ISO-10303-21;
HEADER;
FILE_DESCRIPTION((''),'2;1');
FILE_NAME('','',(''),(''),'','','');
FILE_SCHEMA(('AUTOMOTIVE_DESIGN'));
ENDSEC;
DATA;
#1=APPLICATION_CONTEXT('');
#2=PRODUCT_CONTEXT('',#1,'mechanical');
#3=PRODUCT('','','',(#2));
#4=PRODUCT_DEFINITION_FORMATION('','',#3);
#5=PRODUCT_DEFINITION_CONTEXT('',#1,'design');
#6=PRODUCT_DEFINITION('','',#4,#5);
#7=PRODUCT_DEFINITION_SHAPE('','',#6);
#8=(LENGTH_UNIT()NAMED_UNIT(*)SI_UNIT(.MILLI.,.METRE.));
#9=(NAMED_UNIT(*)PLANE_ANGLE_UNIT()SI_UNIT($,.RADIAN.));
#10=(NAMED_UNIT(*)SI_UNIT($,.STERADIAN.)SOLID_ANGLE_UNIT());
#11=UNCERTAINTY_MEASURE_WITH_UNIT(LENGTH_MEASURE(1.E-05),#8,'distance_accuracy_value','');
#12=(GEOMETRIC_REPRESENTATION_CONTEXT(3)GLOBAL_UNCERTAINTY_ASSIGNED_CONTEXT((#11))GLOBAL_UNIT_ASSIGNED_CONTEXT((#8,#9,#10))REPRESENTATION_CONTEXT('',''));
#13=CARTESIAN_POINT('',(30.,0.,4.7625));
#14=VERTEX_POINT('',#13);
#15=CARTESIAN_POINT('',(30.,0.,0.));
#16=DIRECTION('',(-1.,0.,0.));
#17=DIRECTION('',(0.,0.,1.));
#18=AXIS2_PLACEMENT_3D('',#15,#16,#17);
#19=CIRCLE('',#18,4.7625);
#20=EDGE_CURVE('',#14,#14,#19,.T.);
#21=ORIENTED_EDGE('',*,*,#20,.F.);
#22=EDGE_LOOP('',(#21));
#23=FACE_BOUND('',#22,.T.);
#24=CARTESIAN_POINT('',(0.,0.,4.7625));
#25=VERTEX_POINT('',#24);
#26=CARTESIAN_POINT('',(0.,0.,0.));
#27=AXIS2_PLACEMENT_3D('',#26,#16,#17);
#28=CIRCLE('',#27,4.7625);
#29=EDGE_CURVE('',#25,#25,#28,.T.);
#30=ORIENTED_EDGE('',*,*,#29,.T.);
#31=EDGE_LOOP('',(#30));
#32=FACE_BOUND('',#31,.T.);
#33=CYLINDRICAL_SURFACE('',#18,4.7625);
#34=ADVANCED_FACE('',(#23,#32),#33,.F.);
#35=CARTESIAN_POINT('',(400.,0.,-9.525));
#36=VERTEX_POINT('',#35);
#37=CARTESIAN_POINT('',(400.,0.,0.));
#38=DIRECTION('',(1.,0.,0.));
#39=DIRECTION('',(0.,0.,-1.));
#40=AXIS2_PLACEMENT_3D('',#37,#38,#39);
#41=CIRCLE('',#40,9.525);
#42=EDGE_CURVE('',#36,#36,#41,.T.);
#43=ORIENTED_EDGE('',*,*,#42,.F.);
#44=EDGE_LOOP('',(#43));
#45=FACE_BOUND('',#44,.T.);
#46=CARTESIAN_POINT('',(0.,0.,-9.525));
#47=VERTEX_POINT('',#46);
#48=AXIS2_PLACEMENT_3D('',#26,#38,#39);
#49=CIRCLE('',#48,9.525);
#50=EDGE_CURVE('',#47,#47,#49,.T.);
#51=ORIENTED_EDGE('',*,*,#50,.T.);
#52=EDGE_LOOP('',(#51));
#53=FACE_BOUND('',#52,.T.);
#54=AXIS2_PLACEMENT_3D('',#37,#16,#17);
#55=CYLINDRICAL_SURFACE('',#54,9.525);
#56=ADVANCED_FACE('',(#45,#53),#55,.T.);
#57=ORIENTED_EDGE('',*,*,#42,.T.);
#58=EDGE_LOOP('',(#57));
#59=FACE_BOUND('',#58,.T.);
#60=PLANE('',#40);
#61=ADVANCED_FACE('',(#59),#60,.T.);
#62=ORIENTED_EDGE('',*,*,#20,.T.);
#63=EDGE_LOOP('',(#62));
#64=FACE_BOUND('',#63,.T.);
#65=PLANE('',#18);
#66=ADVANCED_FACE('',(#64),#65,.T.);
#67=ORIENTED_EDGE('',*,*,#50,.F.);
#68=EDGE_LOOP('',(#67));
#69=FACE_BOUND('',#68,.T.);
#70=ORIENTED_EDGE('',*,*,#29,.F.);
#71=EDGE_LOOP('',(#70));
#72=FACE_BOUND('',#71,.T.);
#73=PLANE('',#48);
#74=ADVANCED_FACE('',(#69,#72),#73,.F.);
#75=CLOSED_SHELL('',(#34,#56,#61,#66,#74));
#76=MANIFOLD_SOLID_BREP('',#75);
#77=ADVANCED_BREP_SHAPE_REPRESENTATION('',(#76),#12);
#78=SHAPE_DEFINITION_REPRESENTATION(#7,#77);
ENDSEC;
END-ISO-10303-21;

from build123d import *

# Parameters (mm, degrees)
CROQUIS1_R              = 9.525
SALIENTE_EXTRUIR1_DEPTH = 400
CROQUIS2_R              = 4.7625
CORTAR_EXTRUIR1_DEPTH   = 30


with BuildPart() as part:
    # Croquis1 → Saliente-Extruir1 (new body)
    with BuildSketch(Plane(origin=(0, 0, 0), x_dir=(0, 0, -1), z_dir=(1, 0, 0))):
        Circle(CROQUIS1_R)
    extrude(amount=SALIENTE_EXTRUIR1_DEPTH)

    # Croquis2 → Cortar-Extruir1 (cut)
    with BuildSketch(Plane.ZY):
        Circle(CROQUIS2_R)
    extrude(amount=-CORTAR_EXTRUIR1_DEPTH, mode=Mode.SUBTRACT)


solid = part.part
